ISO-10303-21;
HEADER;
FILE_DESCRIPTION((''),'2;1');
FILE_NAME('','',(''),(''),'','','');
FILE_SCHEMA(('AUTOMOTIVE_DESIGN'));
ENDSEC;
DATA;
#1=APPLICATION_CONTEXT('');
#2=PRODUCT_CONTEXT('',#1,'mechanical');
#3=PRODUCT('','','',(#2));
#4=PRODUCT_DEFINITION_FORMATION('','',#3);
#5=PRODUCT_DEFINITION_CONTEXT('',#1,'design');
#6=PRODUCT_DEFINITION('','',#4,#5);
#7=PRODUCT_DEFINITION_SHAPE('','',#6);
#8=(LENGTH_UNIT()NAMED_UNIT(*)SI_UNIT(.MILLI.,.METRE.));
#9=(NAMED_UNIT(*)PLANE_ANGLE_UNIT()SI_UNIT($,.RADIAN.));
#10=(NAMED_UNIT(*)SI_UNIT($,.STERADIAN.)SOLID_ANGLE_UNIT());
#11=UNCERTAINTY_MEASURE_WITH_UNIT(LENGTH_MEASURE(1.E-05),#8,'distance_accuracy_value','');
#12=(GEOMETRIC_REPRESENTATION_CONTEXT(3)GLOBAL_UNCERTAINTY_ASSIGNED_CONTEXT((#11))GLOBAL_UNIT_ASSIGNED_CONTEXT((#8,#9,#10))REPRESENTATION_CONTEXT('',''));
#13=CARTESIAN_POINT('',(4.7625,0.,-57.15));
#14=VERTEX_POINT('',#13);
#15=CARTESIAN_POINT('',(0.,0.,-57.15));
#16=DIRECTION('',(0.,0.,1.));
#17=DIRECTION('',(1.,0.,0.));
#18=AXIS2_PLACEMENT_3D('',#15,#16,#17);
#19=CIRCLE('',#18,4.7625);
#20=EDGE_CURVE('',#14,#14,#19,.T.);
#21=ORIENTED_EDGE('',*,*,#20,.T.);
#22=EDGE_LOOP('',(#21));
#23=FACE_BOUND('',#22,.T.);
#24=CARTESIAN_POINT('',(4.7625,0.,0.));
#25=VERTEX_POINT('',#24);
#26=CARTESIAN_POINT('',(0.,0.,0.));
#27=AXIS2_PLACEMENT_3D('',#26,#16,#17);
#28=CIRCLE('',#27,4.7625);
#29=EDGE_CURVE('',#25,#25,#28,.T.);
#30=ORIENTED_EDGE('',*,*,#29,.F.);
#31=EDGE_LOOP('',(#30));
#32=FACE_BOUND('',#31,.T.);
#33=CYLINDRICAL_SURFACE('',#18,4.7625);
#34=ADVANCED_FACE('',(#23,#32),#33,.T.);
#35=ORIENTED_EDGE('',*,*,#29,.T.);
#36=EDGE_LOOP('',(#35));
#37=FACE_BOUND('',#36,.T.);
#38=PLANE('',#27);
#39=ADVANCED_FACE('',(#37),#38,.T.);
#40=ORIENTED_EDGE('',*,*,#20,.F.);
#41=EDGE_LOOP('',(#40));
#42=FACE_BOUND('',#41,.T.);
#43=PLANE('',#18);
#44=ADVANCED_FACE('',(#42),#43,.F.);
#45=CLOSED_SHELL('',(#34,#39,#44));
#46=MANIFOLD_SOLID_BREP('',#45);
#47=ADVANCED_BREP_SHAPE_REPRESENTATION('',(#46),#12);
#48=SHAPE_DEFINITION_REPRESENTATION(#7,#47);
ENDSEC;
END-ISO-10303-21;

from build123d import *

# Parameters (mm, degrees)
SKETCH1_R           = 4.7625
BOSS_EXTRUDE1_DEPTH = 57.15


with BuildPart() as part:
    # Sketch1 → Boss-Extrude1 (new body)
    with BuildSketch(Plane.XY):
        Circle(SKETCH1_R)
    extrude(amount=-BOSS_EXTRUDE1_DEPTH)


solid = part.part
